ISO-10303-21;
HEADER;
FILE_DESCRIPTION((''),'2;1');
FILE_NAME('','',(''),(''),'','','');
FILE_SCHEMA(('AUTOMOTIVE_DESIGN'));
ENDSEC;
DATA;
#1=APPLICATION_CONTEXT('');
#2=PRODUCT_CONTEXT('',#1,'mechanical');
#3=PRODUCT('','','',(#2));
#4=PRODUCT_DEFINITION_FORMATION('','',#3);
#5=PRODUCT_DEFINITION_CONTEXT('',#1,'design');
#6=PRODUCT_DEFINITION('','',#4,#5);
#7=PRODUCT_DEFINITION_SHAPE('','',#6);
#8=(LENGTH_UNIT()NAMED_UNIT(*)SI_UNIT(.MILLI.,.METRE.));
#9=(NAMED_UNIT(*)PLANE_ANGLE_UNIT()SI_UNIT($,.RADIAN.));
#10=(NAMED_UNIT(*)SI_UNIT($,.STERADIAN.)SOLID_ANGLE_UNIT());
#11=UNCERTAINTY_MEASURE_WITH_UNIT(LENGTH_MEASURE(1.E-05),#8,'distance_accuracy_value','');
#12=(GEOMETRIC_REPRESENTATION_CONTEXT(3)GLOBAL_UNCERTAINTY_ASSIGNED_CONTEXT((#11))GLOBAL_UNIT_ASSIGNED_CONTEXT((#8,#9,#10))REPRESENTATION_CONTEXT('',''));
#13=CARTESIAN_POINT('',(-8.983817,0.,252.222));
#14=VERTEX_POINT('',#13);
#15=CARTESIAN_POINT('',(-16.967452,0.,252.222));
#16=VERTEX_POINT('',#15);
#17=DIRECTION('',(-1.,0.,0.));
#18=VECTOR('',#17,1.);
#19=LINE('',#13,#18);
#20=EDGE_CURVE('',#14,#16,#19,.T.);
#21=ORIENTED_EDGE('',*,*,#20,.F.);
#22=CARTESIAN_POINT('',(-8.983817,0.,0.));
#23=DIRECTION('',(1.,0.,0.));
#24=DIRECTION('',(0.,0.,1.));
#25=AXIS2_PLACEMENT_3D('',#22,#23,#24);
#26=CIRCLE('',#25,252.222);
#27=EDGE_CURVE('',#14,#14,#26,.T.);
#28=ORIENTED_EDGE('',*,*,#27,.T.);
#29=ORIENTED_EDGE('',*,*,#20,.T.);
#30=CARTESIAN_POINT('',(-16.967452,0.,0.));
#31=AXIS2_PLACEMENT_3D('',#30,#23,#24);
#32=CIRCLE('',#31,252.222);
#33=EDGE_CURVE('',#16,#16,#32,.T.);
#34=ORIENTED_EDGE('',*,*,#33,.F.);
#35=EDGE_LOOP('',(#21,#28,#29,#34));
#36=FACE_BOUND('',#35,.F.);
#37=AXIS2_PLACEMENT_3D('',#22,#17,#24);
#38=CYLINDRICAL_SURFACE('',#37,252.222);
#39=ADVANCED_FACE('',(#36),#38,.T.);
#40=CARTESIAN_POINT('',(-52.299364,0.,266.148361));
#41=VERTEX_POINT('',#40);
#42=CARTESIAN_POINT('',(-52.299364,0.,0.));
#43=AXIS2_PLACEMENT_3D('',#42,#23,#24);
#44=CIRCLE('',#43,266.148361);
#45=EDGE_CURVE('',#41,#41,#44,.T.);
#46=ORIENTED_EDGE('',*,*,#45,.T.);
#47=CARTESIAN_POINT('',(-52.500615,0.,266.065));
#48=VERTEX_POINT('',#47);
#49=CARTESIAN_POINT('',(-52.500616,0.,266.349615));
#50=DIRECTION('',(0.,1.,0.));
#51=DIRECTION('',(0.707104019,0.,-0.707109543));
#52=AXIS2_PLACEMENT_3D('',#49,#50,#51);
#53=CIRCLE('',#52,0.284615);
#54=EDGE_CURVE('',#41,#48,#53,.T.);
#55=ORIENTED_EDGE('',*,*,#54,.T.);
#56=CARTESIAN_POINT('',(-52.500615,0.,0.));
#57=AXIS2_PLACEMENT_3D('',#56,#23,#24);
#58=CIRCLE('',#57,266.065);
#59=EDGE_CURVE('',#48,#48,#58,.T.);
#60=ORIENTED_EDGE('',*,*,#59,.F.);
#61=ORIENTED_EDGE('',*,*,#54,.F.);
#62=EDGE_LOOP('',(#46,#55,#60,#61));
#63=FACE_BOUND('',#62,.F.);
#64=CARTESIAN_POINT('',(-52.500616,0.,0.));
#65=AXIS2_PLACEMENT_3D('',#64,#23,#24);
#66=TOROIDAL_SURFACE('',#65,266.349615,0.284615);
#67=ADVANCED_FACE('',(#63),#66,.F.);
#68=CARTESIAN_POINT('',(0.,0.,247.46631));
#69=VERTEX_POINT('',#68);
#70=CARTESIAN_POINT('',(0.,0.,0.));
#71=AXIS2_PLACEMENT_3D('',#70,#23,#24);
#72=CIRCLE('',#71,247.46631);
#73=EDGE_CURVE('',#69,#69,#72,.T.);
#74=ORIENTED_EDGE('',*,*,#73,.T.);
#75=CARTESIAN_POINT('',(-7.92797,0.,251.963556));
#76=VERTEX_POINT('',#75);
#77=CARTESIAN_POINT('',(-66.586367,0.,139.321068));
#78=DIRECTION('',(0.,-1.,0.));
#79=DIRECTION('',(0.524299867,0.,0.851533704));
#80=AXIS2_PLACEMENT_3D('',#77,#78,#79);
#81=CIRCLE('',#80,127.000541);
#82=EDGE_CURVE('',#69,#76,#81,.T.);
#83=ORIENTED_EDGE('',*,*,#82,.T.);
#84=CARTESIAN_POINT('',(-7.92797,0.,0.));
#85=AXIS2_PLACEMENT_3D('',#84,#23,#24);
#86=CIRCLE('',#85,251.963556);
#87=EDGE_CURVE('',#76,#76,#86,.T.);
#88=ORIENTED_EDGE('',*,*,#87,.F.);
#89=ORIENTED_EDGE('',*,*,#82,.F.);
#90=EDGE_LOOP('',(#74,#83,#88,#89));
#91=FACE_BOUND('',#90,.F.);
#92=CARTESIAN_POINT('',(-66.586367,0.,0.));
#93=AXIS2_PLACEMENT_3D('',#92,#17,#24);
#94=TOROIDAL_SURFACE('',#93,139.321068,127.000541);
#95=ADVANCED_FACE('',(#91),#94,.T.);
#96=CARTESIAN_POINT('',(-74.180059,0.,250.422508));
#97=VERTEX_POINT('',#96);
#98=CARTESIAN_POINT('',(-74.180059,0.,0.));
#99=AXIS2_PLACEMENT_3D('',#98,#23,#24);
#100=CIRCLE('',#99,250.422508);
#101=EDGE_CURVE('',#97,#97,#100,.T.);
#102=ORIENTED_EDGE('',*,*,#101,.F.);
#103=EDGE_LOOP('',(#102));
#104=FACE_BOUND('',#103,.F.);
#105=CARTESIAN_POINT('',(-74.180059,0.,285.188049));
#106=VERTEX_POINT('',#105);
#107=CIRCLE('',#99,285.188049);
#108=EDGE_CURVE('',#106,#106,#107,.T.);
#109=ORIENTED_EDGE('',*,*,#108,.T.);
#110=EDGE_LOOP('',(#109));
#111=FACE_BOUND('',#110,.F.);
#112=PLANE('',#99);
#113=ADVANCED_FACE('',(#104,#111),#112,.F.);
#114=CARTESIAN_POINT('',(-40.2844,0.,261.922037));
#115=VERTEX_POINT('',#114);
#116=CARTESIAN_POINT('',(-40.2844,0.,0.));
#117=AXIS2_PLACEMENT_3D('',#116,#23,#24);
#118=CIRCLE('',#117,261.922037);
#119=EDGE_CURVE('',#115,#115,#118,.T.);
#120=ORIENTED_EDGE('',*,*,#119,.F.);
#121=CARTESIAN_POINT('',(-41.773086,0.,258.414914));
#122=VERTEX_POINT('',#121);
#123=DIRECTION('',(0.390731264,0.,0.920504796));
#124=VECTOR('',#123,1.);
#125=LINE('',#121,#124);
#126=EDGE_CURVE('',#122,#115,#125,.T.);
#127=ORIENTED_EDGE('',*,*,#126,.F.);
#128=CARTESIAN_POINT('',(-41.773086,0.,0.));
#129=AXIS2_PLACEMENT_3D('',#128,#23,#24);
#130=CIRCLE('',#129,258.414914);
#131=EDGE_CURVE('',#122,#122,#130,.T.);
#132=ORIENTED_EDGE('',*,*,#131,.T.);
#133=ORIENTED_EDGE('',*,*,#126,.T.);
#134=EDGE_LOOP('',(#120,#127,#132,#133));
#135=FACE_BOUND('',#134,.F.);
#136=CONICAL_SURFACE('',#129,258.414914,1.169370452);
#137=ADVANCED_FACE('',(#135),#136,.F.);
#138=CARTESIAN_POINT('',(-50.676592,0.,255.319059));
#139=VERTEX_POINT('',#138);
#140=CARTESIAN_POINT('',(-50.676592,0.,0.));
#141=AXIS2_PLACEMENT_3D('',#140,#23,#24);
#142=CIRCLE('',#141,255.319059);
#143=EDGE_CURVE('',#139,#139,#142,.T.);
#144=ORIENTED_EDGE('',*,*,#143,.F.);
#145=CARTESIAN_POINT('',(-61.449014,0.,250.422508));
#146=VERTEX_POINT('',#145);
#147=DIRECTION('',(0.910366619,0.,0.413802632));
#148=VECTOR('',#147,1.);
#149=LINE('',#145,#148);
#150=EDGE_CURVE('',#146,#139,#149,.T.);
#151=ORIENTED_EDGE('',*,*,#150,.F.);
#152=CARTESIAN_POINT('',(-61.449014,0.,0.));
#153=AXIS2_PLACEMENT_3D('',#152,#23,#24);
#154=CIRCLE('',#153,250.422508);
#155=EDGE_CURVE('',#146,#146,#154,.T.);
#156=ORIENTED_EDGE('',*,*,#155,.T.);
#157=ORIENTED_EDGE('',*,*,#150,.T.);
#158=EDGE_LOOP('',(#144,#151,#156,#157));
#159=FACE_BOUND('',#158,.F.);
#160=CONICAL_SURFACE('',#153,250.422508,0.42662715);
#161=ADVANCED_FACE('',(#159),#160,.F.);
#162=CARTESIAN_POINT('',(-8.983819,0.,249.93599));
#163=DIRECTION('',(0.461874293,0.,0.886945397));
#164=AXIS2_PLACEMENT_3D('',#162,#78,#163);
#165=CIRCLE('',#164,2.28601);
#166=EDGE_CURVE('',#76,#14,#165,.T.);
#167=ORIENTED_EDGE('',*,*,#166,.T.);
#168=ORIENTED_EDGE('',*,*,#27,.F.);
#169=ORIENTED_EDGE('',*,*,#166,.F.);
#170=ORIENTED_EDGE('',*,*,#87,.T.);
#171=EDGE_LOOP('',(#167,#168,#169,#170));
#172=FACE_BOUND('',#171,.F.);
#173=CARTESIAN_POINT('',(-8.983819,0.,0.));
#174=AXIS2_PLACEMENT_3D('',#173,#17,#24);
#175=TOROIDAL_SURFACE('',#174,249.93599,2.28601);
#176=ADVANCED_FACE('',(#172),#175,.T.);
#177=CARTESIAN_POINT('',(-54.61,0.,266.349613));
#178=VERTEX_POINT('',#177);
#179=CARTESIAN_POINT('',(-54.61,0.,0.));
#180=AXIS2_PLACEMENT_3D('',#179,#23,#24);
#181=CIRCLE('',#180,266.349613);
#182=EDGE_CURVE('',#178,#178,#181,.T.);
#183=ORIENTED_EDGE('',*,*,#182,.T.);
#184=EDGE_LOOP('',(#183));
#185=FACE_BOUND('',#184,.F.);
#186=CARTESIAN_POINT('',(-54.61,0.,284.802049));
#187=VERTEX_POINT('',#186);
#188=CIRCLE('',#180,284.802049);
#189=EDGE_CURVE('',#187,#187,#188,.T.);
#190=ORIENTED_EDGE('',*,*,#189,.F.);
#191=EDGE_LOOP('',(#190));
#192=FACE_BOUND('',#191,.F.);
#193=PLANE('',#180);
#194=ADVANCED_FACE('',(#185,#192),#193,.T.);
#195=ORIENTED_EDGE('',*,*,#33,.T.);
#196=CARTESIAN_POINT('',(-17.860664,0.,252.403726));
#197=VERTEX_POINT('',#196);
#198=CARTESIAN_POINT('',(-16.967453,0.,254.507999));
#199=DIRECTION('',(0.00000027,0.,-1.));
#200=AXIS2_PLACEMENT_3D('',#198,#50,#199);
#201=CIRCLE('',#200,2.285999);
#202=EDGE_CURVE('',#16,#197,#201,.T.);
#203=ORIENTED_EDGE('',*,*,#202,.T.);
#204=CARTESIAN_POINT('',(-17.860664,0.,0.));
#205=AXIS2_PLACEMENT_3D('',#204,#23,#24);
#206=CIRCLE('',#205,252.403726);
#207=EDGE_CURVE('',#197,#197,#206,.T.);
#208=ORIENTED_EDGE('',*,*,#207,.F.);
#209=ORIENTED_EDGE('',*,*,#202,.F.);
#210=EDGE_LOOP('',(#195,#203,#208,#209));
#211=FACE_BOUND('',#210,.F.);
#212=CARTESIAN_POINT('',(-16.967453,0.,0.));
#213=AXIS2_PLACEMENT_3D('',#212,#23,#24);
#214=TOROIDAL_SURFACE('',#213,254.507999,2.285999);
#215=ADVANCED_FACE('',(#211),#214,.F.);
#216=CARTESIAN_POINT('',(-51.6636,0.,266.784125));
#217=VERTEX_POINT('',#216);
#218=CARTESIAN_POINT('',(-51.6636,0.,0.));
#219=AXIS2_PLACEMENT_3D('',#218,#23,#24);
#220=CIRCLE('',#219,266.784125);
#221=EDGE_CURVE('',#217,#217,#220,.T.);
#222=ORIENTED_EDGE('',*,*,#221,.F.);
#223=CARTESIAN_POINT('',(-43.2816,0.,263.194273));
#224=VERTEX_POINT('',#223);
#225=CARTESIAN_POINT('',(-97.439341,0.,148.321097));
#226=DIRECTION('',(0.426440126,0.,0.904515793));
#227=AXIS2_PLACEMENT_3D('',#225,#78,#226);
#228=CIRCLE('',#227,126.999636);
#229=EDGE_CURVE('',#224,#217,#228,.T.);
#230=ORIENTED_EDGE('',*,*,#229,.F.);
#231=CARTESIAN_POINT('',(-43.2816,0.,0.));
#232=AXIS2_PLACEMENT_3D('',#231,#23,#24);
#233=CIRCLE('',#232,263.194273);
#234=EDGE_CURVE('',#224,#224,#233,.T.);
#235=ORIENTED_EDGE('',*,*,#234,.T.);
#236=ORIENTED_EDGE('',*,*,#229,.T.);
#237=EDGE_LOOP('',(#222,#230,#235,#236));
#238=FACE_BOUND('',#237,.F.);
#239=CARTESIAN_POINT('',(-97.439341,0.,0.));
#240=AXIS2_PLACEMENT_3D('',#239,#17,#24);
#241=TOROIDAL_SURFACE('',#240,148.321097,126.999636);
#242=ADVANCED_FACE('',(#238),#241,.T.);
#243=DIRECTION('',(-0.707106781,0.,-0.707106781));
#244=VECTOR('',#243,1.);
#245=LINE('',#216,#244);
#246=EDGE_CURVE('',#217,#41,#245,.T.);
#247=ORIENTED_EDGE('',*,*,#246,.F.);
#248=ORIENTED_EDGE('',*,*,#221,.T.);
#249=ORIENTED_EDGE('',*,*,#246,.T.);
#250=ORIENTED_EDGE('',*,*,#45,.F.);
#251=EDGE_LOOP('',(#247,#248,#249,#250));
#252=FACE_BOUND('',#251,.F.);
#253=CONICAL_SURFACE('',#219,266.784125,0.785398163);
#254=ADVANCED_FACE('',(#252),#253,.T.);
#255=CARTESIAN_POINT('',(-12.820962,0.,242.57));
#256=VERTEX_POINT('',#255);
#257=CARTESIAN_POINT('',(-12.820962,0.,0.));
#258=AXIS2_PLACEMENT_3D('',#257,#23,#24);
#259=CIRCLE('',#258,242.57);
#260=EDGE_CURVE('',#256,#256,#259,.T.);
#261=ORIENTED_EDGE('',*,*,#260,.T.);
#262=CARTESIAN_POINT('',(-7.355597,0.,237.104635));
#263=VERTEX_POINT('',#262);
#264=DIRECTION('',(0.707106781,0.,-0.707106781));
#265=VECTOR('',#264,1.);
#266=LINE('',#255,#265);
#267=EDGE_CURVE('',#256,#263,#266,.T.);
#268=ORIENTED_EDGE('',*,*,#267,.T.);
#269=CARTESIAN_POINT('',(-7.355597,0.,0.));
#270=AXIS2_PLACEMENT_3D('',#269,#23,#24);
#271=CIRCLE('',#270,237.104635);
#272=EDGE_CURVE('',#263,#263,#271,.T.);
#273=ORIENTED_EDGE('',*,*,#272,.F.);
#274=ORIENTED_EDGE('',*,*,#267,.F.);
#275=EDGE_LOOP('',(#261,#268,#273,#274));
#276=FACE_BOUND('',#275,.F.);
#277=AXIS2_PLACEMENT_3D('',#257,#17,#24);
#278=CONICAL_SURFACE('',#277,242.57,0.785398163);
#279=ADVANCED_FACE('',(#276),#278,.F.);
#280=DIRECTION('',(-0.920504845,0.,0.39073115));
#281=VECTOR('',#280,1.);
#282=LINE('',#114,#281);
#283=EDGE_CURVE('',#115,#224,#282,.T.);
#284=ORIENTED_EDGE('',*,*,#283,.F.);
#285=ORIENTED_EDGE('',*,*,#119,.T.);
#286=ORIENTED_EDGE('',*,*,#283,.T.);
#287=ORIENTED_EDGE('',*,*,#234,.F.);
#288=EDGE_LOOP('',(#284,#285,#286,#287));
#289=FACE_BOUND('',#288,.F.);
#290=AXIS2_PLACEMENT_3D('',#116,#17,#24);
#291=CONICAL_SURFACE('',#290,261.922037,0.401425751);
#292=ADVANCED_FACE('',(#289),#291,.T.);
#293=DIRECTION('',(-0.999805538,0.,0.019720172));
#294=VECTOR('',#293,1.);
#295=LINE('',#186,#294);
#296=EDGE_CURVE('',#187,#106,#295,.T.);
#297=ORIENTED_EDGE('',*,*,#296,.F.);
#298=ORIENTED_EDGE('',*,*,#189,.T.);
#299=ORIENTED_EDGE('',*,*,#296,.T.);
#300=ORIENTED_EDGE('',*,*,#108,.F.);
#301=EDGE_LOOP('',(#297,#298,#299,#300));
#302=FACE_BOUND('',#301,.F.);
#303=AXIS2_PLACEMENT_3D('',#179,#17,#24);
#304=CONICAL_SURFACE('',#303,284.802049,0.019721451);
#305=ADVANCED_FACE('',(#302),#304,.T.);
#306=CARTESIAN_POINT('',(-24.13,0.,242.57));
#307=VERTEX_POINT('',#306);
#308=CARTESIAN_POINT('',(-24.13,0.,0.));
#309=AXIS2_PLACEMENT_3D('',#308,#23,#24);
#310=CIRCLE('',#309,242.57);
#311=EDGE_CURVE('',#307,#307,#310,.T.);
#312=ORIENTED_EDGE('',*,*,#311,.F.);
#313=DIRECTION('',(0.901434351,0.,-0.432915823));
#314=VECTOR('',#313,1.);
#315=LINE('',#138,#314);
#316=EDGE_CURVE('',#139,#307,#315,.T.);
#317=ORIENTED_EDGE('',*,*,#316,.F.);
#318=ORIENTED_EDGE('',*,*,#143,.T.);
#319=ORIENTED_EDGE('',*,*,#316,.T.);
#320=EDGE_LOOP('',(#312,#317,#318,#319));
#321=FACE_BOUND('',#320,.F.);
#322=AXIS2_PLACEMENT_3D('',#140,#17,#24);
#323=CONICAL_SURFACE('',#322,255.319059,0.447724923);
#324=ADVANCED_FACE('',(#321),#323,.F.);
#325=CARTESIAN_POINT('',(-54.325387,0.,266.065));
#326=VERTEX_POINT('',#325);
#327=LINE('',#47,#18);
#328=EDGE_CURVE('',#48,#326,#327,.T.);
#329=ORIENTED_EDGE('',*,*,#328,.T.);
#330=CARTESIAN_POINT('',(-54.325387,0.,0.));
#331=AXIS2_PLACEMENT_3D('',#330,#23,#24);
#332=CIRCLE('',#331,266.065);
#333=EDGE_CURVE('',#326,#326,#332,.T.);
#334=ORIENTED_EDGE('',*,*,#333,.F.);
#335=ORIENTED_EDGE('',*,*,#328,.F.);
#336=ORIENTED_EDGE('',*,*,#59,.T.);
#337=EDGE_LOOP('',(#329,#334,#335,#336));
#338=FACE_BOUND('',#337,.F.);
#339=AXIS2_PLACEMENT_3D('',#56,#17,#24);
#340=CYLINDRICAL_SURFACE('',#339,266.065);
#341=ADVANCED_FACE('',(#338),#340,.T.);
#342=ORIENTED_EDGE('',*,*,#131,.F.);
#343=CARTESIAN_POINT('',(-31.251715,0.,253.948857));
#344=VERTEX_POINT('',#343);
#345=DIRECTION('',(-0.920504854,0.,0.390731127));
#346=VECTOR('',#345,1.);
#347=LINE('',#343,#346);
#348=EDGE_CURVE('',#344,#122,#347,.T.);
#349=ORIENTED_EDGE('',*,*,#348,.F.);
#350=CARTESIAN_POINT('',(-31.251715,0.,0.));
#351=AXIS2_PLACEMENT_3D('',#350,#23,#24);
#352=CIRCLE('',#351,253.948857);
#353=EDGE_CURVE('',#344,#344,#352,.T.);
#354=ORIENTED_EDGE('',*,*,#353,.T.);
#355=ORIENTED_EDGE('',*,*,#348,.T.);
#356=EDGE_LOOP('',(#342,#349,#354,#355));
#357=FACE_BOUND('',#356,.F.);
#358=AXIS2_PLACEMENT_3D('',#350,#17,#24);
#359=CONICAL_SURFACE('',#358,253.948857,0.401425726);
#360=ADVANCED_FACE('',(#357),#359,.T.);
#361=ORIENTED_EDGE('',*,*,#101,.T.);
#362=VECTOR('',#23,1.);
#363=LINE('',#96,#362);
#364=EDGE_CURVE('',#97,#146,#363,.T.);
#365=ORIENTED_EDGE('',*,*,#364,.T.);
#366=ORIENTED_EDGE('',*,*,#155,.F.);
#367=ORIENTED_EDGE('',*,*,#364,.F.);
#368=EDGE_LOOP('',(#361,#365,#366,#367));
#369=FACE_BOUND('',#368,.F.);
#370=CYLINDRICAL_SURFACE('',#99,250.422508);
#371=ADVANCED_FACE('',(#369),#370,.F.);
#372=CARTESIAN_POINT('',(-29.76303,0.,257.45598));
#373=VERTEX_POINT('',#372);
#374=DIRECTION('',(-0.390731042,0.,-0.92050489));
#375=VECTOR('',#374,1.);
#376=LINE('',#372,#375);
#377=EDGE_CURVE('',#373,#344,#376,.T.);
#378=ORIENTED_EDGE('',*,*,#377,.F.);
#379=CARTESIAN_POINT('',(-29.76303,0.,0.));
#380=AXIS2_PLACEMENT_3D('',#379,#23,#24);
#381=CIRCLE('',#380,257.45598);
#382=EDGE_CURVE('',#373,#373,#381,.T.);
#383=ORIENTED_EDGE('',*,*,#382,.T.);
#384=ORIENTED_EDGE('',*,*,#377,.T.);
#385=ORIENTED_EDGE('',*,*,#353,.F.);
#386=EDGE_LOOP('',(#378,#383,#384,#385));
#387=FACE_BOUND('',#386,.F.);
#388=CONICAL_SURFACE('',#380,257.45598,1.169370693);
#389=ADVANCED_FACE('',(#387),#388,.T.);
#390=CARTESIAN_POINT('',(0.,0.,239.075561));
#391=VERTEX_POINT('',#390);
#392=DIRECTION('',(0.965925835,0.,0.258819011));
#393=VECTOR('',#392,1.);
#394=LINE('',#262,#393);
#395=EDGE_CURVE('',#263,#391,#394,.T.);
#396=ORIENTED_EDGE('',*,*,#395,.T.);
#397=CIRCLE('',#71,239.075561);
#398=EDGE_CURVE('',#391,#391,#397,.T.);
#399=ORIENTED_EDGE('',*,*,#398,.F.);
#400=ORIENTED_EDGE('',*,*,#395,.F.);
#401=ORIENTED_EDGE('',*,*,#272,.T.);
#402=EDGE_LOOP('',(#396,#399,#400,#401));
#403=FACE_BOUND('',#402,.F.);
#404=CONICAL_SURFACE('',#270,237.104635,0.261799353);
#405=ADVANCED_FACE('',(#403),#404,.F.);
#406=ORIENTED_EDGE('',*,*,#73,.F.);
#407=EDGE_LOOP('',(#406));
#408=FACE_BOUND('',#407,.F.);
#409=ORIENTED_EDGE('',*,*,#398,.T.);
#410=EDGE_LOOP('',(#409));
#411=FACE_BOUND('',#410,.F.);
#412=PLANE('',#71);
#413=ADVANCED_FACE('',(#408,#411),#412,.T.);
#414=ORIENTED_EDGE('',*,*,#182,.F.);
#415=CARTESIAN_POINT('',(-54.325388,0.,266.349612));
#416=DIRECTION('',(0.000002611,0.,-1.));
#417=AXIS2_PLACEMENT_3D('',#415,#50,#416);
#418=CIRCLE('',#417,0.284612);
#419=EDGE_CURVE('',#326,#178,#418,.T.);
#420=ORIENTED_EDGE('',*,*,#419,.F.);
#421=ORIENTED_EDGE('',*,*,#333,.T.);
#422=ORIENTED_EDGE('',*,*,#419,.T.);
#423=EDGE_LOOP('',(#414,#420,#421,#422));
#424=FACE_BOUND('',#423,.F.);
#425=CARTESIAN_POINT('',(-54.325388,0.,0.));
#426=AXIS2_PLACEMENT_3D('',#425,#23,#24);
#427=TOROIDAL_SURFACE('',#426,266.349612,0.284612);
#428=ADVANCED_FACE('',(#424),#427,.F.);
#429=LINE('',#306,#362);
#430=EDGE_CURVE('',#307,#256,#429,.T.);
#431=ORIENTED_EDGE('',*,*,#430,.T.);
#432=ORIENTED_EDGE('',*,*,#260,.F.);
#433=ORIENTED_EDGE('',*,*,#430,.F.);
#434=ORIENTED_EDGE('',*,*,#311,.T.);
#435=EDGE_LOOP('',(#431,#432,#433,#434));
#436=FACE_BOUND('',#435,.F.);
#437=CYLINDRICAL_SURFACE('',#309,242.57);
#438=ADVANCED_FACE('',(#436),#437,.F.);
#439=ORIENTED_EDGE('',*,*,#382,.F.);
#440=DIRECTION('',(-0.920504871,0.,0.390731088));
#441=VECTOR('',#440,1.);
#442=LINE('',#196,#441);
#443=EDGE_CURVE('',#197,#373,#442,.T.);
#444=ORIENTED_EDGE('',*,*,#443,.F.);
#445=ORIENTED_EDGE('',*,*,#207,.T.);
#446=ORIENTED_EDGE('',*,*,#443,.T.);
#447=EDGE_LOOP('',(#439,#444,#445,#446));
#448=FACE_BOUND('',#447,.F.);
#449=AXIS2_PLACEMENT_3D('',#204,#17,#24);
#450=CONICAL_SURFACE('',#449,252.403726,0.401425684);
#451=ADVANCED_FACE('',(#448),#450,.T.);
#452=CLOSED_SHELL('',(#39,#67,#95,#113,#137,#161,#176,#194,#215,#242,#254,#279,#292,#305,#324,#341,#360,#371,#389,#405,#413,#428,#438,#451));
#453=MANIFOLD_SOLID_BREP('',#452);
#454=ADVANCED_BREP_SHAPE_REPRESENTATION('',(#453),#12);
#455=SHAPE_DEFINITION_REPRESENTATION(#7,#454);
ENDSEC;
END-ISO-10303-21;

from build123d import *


with BuildPart() as f1:
    # F0 (on Front) → F1 (revolve)
    with BuildSketch(Plane.XZ):
        with BuildLine():
            Line((-12.820962, 242.57), (-7.355597, 237.104635))
            Line((-7.355597, 237.104635), (0, 239.075561))
            Line((0, 239.075561), (0, 240.829671))
            Line((0, 240.829671), (0, 245.209498))
            Line((0, 245.209498), (0, 246.18163))
            Line((0, 246.18163), (0, 247.46631))
            ThreePointArc((0, 247.46631), (-3.923627, 249.786079), (-7.92797, 251.963556))
            ThreePointArc((-7.92797, 251.963556), (-8.440309, 252.156449), (-8.983817, 252.222))
            Line((-8.983817, 252.222), (-16.967452, 252.222))
            ThreePointArc((-16.967452, 252.222), (-17.423207, 252.267892), (-17.860664, 252.403726))
            Line((-17.860664, 252.403726), (-29.76303, 257.45598))
            Line((-29.76303, 257.45598), (-31.251715, 253.948857))
            Line((-31.251715, 253.948857), (-41.773086, 258.414914))
            Line((-41.773086, 258.414914), (-40.2844, 261.922037))
            Line((-40.2844, 261.922037), (-43.2816, 263.194273))
            ThreePointArc((-43.2816, 263.194273), (-47.440371, 265.06445), (-51.6636, 266.784125))
            Line((-51.6636, 266.784125), (-52.299364, 266.148361))
            ThreePointArc((-52.299364, 266.148361), (-52.391699, 266.086665), (-52.500615, 266.065))
            Line((-52.500615, 266.065), (-54.325387, 266.065))
            ThreePointArc((-54.325387, 266.065), (-54.526639, 266.148361), (-54.61, 266.349613))
            Line((-54.61, 266.349613), (-54.61, 284.802049))
            Line((-54.61, 284.802049), (-74.180059, 285.188049))
            Line((-74.180059, 285.188049), (-74.180059, 250.422508))
            Line((-74.180059, 250.422508), (-61.449014, 250.422508))
            Line((-61.449014, 250.422508), (-50.676592, 255.319059))
            Line((-50.676592, 255.319059), (-24.13, 242.57))
            Line((-24.13, 242.57), (-13.944356, 242.57))
            Line((-13.944356, 242.57), (-12.820962, 242.57))
        make_face()
    revolve(axis=Axis((15.058352, 0, 0), (1, 0, 0)))


solid = f1.part
